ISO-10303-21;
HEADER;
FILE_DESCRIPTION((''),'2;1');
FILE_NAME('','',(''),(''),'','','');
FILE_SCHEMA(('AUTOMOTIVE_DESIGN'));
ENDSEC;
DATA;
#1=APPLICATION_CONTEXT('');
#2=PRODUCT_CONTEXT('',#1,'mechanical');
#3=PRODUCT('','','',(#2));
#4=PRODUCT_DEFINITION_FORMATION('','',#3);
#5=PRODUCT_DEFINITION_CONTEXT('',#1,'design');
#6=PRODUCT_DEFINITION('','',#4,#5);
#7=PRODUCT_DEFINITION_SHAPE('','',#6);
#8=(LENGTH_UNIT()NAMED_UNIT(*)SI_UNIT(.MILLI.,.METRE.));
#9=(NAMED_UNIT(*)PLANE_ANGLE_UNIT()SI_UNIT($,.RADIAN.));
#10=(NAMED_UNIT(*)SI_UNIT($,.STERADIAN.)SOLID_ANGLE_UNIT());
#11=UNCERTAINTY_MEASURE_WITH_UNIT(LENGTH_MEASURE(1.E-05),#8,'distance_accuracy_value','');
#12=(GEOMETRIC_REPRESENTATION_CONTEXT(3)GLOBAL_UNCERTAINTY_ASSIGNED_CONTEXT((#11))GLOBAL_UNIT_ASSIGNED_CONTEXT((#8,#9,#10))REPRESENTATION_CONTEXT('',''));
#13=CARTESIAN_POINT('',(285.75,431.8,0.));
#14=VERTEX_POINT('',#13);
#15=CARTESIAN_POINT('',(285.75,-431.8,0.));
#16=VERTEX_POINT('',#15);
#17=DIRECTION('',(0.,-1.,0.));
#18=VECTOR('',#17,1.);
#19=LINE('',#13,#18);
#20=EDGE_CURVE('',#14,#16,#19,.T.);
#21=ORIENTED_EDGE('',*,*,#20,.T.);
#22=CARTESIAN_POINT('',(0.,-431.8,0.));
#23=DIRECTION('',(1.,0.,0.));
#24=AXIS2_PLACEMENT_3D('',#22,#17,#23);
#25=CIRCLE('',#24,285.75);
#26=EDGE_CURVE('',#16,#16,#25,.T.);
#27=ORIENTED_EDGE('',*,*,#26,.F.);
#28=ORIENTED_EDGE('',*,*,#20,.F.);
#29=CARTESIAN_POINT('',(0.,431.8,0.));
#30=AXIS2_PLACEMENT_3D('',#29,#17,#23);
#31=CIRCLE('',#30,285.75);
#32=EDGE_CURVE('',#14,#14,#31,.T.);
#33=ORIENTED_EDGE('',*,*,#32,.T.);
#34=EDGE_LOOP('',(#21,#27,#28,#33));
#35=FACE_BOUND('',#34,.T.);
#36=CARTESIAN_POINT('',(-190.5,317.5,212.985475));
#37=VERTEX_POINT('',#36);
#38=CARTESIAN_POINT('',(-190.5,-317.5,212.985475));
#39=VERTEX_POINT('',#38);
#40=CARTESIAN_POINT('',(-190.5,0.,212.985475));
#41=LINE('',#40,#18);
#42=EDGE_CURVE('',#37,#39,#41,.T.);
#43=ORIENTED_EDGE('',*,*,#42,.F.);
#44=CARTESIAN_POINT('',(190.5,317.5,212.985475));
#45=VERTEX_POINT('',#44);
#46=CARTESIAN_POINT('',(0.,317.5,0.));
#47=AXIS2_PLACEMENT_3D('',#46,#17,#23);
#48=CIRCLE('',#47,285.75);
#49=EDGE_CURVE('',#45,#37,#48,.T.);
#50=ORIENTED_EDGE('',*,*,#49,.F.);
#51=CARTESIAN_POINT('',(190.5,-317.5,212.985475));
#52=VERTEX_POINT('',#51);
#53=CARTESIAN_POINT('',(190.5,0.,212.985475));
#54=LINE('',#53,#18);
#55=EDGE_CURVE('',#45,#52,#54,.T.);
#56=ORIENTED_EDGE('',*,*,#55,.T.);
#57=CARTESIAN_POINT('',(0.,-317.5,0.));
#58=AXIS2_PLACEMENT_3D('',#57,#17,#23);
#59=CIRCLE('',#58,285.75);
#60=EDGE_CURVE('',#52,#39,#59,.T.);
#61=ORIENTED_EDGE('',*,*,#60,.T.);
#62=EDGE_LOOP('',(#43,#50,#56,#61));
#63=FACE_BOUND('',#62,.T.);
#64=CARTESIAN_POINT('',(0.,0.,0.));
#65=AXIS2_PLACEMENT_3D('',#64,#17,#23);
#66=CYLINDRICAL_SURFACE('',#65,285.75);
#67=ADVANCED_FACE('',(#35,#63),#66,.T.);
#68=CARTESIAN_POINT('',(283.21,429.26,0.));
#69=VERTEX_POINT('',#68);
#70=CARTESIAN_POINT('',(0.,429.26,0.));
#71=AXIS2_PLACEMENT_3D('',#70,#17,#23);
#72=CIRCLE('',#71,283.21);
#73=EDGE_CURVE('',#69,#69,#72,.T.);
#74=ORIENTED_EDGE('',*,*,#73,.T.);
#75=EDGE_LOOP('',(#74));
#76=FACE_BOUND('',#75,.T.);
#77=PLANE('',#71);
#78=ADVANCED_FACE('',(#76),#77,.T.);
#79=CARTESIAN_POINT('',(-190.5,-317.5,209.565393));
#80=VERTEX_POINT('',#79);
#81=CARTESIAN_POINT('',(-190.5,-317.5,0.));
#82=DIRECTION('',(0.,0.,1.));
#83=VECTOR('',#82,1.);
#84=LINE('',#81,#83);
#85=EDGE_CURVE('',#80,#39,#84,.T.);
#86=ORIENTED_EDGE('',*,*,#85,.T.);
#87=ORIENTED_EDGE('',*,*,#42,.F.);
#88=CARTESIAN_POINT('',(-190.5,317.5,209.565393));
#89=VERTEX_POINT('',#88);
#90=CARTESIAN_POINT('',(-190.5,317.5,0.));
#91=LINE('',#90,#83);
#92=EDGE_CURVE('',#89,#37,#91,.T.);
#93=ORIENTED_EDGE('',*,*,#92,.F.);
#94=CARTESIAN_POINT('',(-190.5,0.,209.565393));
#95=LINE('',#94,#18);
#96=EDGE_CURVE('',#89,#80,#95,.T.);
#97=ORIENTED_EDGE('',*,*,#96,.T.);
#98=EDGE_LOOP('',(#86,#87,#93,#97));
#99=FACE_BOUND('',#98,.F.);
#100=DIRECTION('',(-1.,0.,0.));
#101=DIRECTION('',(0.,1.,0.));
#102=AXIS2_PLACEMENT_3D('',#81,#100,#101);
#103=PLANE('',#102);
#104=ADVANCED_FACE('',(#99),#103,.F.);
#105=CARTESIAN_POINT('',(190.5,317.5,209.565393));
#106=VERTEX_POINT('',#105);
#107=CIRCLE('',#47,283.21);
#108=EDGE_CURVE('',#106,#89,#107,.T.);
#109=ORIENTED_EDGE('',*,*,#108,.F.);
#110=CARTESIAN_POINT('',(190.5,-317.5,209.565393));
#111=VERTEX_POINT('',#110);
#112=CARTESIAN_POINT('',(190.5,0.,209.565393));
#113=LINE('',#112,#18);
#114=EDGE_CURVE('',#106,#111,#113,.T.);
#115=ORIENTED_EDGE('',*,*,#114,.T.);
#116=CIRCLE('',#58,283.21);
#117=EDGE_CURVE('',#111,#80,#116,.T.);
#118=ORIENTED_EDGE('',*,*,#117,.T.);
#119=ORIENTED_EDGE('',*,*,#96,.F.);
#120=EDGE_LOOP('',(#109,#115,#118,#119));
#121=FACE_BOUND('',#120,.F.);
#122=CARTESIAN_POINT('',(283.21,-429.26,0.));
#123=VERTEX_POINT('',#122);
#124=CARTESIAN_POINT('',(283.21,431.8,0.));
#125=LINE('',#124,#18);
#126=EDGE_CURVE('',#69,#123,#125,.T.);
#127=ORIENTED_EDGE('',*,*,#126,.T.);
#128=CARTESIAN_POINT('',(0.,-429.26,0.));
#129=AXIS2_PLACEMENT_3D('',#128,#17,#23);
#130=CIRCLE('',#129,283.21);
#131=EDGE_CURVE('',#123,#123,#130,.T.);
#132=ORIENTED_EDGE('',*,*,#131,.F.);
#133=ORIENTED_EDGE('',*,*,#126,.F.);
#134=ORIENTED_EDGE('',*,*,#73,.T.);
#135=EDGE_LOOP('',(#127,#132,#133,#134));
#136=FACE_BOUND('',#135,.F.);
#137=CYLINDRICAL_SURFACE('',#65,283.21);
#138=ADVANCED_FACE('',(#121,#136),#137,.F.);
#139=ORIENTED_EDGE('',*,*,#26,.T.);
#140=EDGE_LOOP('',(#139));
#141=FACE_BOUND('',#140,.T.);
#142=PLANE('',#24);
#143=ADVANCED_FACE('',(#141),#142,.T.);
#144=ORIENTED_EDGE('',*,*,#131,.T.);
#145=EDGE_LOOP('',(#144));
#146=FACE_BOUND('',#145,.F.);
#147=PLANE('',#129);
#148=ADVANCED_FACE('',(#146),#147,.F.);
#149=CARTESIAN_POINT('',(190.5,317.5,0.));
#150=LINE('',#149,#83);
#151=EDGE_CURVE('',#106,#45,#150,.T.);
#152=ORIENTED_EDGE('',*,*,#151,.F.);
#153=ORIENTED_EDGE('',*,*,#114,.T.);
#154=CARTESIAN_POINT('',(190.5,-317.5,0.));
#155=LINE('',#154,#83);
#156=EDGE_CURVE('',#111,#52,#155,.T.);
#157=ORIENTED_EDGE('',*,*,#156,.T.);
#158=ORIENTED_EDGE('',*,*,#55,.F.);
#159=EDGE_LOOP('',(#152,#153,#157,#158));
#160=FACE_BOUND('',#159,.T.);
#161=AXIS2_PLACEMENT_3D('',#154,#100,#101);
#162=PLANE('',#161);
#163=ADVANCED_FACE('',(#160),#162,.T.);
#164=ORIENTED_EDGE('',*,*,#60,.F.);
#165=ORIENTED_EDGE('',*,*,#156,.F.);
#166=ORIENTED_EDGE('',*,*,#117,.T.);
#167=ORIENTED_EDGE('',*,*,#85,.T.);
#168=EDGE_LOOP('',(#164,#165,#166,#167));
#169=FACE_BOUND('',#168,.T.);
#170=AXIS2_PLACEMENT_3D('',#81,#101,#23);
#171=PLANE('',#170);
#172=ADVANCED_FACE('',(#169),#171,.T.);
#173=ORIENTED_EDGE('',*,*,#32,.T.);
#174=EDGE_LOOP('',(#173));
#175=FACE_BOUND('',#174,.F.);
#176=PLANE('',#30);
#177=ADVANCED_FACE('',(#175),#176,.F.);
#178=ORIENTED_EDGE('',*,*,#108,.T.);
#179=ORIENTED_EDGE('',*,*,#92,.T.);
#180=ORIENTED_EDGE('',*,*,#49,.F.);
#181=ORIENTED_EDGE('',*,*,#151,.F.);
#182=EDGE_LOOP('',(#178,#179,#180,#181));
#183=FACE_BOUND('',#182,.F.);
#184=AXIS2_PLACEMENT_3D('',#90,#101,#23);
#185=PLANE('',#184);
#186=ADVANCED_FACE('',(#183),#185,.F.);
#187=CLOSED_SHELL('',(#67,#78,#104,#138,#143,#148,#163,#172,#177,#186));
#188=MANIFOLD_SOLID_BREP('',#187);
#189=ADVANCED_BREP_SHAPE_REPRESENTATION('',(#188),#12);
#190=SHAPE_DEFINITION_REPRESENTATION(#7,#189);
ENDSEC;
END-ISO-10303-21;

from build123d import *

# Parameters (mm, degrees)
F0_R     = 285.75
F1_DEPTH = 431.8
F2_W     = 381
F2_H     = 635
F3_DEPTH = 452.12
F4_T     = -2.54


with BuildPart() as f1:
    # F0 (on Front) → F1 (new body, symmetric)
    with BuildSketch(Plane.XZ):
        Circle(F0_R)
    extrude(amount=F1_DEPTH, both=True)

    # F2 (on Top) → F3 (cut)
    with BuildSketch(Plane.XY):
        Rectangle(F2_W, F2_H)
    extrude(amount=F3_DEPTH, mode=Mode.SUBTRACT)

    # F4
    f4_openings = [f1.faces().sort_by_distance(p)[0] for p in [
        (0, 317.5, 132.295443),
        (-190.5, 0, 106.492737),
        (0, 0, 0),
        (0, -317.5, 132.295443),
        (190.5, 0, 106.492737),
    ]]
    offset(amount=F4_T, openings=f4_openings)


solid = f1.part
